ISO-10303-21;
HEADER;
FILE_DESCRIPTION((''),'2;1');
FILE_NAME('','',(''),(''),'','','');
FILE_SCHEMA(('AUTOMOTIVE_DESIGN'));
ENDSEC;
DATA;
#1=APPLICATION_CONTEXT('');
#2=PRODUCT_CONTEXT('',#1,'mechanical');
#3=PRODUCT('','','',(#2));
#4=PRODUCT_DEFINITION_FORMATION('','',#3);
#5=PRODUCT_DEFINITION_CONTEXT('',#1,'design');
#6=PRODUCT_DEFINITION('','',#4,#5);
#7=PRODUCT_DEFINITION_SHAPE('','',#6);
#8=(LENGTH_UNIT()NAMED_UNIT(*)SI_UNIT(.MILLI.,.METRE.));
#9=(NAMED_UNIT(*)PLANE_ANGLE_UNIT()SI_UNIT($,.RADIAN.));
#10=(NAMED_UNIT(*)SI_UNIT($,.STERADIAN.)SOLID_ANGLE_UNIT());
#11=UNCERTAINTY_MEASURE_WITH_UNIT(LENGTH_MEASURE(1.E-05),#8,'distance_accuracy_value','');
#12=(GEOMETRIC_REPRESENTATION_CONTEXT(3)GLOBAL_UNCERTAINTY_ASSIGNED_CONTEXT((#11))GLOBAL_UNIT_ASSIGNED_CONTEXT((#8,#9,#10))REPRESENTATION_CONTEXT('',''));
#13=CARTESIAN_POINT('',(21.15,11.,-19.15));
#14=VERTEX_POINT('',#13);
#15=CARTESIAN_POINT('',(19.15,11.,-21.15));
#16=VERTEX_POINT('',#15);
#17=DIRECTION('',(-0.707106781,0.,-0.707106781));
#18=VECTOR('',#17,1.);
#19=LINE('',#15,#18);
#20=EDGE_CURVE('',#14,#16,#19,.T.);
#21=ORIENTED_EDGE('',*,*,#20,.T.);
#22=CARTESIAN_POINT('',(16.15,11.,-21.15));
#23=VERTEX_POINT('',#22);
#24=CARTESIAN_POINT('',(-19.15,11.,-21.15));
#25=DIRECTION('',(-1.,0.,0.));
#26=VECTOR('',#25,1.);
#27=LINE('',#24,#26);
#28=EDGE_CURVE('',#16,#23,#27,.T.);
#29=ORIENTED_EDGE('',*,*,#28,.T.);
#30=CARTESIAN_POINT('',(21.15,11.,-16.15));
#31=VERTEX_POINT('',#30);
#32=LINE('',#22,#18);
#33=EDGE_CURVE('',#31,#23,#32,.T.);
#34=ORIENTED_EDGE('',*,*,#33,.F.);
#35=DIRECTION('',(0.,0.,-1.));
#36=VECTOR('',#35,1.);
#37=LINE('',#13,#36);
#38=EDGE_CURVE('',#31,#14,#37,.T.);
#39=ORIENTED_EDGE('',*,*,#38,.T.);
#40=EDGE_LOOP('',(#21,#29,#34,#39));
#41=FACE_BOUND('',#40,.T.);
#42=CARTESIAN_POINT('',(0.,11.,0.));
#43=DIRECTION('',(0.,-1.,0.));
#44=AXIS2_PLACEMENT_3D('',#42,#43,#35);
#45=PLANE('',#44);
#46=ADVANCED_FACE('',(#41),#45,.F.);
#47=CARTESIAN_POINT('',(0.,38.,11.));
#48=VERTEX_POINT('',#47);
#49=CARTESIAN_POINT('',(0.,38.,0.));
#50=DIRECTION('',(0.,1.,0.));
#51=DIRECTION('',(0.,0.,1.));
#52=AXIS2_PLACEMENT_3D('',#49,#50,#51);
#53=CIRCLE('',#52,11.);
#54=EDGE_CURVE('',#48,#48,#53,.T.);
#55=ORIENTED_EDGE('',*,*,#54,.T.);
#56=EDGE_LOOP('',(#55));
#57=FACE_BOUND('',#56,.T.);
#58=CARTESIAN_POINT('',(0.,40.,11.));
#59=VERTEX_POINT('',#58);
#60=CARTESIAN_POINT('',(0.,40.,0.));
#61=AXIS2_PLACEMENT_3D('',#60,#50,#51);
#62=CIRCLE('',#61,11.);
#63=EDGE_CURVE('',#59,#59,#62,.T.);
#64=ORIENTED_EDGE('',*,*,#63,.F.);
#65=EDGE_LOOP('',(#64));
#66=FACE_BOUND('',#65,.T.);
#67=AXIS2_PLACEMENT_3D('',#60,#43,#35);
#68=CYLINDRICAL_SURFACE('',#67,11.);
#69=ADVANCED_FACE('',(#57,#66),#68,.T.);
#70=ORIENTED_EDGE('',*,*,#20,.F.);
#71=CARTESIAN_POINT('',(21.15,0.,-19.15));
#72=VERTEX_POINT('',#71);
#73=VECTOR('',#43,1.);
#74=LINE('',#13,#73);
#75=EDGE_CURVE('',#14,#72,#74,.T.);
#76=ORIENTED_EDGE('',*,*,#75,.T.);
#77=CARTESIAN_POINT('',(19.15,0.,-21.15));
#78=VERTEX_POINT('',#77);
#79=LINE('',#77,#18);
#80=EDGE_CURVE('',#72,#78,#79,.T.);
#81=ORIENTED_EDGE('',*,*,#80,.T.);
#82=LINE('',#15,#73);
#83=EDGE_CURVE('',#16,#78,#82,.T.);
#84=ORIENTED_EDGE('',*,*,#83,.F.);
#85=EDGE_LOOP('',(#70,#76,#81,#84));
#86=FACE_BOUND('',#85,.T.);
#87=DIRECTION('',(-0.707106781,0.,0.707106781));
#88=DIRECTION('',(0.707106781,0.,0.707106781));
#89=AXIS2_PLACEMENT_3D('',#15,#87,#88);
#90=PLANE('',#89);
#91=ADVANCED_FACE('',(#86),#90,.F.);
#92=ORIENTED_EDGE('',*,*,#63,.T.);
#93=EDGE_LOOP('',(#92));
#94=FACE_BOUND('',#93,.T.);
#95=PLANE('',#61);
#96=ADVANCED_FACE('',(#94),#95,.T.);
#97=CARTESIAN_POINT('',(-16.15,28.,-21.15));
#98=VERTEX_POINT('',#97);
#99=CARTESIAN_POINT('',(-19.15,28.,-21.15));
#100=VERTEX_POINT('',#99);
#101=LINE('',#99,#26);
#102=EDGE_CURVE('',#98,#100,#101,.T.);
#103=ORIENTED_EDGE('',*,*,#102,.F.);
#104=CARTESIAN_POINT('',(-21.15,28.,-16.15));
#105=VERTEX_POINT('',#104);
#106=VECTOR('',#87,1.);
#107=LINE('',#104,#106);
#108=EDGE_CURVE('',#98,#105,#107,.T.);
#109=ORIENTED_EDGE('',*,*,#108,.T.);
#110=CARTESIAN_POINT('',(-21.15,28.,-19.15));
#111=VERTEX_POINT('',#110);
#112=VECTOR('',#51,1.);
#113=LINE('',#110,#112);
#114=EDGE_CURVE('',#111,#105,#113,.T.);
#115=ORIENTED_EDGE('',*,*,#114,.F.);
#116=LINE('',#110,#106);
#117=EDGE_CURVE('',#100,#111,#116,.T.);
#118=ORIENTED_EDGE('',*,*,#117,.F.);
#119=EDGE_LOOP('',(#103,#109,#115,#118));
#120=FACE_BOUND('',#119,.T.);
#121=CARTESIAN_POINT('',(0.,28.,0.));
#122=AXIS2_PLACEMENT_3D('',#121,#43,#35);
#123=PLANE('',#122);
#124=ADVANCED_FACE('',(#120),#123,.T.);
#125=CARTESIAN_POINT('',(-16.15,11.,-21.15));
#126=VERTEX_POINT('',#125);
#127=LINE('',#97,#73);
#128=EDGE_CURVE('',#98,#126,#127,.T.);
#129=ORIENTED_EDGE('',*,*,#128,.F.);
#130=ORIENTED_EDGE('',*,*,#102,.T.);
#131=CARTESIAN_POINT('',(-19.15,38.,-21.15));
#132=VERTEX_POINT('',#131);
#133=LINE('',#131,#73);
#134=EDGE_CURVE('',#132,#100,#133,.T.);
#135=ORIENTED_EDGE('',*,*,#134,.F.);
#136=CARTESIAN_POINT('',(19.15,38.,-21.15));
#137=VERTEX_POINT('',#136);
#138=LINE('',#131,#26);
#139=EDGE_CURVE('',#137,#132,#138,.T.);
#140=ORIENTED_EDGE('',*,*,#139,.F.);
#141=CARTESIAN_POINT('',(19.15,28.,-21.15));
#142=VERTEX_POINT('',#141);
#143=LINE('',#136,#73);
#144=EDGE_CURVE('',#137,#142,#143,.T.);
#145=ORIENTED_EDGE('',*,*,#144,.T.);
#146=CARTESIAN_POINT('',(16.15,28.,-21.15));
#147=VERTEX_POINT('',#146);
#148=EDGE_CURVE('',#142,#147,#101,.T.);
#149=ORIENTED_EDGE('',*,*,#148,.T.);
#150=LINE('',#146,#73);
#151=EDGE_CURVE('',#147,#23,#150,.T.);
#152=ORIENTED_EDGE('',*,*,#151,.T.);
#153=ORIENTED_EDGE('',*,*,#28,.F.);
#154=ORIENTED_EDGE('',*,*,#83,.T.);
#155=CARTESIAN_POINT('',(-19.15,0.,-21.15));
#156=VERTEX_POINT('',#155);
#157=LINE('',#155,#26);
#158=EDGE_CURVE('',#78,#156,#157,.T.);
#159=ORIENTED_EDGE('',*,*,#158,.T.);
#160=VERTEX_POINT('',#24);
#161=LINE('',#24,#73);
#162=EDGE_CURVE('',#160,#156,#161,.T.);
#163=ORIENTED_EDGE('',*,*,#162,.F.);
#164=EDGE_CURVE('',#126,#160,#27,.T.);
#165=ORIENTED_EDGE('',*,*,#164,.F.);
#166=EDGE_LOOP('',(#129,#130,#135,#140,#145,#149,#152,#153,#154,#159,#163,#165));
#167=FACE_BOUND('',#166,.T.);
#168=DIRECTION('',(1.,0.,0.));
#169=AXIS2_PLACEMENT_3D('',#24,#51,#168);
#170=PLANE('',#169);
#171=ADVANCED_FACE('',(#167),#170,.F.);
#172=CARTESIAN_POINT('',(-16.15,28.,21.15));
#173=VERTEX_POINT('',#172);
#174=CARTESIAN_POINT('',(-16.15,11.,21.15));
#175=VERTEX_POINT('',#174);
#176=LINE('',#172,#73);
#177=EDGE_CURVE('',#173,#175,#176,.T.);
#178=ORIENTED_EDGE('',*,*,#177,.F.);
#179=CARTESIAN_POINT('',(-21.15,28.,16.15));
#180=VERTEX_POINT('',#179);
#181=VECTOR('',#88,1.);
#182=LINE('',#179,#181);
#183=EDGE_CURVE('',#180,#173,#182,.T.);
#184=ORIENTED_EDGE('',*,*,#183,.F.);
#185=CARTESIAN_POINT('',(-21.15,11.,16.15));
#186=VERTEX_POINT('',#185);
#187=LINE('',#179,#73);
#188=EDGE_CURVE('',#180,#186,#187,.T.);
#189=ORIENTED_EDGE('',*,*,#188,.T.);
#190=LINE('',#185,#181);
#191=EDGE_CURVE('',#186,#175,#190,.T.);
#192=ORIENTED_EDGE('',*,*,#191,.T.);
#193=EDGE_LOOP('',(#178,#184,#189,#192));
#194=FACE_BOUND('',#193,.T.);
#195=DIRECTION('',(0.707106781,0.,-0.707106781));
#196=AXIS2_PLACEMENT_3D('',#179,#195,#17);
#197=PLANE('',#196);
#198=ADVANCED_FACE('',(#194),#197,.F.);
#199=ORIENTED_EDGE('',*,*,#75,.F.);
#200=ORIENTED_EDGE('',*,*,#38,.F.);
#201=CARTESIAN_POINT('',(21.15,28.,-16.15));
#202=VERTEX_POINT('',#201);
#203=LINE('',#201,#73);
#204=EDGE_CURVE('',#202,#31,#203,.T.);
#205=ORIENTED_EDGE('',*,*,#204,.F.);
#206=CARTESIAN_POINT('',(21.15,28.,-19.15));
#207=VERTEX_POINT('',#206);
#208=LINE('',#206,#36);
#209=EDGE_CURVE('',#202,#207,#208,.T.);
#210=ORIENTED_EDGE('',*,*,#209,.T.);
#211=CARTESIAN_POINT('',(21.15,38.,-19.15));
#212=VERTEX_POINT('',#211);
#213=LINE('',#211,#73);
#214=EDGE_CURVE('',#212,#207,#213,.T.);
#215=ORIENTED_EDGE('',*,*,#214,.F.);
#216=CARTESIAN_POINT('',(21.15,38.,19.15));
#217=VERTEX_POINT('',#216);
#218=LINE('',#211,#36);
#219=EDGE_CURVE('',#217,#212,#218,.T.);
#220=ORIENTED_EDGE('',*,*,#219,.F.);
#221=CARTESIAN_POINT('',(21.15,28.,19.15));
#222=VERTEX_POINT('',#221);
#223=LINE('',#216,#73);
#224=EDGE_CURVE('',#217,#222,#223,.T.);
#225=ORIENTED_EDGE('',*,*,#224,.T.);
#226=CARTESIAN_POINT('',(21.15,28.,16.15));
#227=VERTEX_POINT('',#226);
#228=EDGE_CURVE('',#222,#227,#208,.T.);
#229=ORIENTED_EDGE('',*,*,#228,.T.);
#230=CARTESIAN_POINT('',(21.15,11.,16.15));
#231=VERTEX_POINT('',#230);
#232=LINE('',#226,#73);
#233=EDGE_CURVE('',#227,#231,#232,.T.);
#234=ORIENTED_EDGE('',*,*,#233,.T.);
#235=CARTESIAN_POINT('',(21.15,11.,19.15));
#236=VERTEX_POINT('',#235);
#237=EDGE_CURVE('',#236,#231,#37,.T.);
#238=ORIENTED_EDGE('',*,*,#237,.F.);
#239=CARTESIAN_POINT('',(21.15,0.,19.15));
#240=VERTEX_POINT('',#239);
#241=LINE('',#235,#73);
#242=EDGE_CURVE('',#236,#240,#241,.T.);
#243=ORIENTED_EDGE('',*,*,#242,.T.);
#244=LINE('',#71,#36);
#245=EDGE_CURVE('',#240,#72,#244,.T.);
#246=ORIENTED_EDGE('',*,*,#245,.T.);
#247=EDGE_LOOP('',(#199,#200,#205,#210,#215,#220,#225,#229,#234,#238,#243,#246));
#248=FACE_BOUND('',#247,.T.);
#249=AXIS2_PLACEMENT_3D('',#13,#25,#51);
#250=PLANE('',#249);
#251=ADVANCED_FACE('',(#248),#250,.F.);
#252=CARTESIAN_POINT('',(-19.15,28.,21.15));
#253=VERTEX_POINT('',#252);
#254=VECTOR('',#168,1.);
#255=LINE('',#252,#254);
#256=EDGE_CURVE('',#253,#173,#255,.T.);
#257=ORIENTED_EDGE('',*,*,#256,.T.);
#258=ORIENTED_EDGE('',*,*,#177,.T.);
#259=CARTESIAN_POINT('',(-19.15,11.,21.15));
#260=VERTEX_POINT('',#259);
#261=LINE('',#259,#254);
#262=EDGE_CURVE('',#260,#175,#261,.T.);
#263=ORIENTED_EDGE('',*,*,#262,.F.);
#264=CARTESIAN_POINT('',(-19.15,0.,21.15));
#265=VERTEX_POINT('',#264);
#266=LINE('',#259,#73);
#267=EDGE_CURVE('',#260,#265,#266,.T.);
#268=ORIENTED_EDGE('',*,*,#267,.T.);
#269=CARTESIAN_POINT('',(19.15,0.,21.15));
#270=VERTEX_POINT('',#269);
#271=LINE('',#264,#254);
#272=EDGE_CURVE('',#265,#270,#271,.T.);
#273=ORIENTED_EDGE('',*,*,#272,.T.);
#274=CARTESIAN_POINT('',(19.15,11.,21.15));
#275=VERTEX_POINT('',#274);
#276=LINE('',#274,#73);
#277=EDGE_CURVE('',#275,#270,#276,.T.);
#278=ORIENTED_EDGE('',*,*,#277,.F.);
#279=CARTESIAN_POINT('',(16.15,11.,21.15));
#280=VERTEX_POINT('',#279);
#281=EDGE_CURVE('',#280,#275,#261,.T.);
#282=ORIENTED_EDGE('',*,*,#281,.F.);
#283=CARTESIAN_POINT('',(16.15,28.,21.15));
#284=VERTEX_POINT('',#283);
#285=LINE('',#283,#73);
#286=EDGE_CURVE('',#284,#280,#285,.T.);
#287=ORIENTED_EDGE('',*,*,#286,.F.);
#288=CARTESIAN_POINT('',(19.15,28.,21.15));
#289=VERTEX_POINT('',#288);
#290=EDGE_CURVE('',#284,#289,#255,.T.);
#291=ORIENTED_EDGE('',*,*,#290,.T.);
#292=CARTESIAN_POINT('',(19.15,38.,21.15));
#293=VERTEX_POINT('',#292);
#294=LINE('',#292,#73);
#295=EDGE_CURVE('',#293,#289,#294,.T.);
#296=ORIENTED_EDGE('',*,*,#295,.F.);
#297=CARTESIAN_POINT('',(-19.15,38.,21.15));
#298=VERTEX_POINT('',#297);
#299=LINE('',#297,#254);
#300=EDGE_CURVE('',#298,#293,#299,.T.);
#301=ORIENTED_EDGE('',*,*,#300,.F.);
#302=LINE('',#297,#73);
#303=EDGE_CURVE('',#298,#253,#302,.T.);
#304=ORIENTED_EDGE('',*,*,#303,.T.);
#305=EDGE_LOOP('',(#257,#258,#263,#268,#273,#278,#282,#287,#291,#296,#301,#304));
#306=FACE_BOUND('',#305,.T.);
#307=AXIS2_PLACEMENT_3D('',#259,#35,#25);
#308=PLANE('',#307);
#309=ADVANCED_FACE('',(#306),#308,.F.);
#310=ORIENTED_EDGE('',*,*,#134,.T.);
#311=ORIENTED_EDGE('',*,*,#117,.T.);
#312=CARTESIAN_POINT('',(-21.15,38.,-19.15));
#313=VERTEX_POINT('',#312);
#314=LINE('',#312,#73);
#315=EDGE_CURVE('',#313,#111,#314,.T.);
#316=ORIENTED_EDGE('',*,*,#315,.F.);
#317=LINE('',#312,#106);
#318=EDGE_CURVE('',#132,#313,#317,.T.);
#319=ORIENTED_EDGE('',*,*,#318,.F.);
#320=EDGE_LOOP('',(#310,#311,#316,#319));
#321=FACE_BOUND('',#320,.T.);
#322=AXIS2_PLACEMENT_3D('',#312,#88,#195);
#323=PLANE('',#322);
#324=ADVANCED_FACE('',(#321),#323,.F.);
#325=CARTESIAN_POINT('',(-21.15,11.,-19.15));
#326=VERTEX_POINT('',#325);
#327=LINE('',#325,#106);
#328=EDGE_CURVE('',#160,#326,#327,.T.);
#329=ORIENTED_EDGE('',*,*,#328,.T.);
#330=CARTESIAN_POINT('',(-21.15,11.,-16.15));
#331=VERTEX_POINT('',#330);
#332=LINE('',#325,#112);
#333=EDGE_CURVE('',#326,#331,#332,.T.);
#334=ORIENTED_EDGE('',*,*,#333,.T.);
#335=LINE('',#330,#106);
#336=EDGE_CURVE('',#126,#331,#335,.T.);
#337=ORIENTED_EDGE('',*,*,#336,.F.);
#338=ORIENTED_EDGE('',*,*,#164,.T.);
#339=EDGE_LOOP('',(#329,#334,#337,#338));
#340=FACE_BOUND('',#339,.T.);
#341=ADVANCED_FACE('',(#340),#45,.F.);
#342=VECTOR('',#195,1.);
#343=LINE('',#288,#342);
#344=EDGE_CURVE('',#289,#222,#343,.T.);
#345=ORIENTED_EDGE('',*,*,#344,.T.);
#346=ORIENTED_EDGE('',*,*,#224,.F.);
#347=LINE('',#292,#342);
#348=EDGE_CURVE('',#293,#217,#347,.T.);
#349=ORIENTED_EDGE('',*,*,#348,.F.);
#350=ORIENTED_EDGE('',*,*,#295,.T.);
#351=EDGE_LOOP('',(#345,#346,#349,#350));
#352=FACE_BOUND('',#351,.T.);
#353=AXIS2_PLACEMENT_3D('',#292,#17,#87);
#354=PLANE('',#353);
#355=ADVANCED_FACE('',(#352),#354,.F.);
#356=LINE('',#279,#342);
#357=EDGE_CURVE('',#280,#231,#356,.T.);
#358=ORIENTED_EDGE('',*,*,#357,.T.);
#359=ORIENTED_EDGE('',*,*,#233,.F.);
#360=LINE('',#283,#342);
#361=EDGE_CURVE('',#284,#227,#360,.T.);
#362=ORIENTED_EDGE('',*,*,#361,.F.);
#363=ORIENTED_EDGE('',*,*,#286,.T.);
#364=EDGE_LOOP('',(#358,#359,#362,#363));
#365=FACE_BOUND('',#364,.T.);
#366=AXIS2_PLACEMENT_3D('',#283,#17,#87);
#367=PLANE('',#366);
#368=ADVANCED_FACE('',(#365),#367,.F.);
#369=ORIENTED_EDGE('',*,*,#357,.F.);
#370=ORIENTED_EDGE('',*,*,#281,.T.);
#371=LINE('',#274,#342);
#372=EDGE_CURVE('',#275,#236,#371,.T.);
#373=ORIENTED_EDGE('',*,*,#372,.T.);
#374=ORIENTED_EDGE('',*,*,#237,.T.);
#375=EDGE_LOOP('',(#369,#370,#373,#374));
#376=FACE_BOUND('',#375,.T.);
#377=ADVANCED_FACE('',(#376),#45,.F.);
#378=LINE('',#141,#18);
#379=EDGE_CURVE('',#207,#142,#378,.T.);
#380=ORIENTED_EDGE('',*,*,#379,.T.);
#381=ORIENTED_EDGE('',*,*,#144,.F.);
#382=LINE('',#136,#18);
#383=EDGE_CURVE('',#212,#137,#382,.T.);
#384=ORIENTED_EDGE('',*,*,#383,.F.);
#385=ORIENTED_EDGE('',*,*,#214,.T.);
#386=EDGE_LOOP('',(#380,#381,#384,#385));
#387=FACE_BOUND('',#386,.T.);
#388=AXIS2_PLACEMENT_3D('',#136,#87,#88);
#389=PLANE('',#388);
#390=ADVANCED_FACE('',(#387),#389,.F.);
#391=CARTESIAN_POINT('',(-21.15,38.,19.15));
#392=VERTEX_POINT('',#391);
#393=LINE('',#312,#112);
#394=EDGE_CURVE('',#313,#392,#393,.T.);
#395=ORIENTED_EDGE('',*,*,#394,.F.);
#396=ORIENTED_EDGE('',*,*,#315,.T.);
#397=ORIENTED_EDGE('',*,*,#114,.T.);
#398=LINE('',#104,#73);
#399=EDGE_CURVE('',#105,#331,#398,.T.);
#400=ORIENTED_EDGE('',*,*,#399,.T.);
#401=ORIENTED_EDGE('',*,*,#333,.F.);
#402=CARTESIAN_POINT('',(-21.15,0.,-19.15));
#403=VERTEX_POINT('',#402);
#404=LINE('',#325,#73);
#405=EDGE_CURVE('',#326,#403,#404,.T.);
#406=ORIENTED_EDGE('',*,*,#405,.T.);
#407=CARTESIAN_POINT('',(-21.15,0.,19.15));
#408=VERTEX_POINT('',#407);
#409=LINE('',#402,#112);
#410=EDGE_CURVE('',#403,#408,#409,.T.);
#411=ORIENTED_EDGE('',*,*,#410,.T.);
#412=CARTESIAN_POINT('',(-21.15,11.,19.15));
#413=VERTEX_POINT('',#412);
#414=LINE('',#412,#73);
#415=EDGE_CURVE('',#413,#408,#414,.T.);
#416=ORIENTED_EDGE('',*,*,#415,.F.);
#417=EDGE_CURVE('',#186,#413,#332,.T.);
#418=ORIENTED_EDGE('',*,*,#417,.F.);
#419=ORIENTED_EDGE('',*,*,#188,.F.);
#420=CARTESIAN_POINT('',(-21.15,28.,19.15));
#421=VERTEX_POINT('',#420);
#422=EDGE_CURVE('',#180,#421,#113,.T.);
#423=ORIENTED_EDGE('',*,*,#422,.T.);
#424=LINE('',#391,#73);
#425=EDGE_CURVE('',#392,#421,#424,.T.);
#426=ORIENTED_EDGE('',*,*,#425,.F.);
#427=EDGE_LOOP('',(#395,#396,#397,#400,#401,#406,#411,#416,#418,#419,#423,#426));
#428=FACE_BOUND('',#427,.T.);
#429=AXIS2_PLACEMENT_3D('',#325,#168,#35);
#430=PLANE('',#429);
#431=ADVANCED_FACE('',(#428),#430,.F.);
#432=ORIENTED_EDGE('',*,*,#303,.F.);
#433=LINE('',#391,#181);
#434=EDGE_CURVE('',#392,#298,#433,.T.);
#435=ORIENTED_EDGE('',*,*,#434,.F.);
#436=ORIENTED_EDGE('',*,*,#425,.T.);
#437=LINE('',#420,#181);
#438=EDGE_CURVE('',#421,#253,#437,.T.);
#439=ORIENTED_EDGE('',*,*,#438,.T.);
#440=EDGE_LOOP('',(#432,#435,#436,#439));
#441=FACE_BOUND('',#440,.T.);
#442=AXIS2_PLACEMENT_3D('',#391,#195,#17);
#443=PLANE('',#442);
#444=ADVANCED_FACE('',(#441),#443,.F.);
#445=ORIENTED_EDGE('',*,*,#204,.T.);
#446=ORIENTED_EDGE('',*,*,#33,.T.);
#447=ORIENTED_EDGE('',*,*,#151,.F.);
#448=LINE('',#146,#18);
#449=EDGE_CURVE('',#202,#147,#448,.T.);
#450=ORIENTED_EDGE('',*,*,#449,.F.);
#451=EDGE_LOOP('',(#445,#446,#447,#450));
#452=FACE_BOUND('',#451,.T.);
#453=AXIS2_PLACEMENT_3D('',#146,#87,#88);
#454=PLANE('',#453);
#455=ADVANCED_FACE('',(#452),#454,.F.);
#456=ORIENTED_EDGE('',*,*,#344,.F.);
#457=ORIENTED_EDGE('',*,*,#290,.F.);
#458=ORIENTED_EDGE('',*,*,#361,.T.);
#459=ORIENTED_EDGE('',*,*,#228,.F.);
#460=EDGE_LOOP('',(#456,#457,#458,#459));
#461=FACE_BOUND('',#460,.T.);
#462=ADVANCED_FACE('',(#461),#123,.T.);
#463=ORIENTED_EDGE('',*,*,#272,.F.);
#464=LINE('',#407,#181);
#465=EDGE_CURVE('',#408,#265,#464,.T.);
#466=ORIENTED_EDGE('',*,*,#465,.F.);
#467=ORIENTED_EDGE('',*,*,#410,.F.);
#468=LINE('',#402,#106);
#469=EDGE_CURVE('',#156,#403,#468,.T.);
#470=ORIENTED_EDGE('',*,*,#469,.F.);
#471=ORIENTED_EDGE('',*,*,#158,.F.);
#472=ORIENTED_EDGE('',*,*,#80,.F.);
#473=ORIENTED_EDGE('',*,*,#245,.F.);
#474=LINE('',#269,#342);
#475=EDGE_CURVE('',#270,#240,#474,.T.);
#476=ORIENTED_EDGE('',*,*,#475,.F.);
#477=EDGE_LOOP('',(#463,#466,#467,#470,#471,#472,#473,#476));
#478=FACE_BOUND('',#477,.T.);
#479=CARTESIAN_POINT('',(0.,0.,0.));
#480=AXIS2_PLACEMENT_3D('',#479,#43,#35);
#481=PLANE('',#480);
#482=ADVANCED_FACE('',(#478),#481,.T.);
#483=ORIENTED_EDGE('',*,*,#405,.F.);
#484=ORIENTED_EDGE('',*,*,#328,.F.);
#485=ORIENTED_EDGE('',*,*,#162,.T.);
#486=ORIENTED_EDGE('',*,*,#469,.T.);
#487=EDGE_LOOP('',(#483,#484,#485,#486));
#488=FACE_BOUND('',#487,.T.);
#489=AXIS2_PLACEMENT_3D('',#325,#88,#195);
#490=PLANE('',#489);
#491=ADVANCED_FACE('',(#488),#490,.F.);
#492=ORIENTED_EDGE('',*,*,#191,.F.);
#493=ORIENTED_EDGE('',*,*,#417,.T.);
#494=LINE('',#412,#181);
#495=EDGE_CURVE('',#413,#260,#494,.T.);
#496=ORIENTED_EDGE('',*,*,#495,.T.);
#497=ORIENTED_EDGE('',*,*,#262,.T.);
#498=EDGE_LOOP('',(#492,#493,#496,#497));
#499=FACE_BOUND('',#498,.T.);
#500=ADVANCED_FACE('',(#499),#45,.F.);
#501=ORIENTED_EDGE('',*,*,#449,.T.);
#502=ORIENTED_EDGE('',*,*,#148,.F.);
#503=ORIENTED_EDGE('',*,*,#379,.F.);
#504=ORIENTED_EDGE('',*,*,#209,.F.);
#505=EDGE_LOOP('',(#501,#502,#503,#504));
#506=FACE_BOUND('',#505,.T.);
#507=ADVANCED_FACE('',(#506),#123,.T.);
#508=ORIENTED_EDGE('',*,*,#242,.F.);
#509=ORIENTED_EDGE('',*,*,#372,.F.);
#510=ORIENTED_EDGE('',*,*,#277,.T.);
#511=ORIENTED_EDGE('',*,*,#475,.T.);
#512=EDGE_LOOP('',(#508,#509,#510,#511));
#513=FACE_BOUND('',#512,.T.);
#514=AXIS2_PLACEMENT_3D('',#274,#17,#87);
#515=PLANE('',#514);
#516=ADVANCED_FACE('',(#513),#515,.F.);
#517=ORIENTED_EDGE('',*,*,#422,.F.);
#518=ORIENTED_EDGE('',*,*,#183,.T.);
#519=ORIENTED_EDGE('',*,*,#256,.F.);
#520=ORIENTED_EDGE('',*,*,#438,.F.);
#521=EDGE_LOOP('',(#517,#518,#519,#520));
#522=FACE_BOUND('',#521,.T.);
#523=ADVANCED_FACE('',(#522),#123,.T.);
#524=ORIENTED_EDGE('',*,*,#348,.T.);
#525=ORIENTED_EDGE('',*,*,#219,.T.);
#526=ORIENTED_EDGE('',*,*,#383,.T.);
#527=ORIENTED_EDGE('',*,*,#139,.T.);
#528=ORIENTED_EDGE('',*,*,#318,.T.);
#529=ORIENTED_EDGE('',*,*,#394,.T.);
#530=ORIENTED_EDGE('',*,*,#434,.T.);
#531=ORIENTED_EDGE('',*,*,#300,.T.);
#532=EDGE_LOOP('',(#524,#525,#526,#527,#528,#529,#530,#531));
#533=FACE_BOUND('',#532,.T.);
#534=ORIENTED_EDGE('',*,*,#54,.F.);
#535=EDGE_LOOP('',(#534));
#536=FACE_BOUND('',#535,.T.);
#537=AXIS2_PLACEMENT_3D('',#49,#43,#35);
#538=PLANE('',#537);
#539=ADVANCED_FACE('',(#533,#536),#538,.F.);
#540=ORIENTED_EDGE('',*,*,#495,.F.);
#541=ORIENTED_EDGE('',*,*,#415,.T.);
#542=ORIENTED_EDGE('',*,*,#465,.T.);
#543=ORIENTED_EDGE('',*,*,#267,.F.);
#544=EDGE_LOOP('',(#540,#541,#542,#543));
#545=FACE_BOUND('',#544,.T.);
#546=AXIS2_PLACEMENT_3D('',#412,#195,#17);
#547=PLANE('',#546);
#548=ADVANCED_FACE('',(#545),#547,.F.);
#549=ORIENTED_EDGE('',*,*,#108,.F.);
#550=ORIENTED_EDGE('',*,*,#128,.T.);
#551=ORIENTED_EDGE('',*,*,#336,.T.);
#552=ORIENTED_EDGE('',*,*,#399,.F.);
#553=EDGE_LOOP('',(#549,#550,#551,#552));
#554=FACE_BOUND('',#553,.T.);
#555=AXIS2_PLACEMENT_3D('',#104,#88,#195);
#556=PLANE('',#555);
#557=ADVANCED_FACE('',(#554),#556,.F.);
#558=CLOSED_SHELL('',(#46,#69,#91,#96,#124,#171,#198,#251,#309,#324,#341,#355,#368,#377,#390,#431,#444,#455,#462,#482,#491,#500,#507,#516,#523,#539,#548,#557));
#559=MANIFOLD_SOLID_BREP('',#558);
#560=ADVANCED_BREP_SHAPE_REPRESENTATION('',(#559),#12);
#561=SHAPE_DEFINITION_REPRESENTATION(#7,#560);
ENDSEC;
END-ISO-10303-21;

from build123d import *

# Parameters (mm, degrees)
BOSS_EXTRUDE1_DEPTH = 11
BOSS_EXTRUDE2_DEPTH = 17
BOSS_EXTRUDE3_DEPTH = 10
SKETCH4_R           = 11
BOSS_EXTRUDE4_DEPTH = 2


with BuildPart() as part:
    # Sketch1 → Boss-Extrude1 (new body)
    with BuildSketch(Plane(origin=(0, 0, 0), x_dir=(1, 0, 0), z_dir=(0, 1, 0))):
        Polygon((19.15, -21.15), (21.15, -19.15), (21.15, 19.15), (19.15, 21.15), (-19.15, 21.15), (-21.15, 19.15), (-21.15, -19.15), (-19.15, -21.15), align=None)
    extrude(amount=BOSS_EXTRUDE1_DEPTH)

    # Sketch2 → Boss-Extrude2 (add)
    with BuildSketch(Plane(origin=(0, 11, 0), x_dir=(1, 0, 0), z_dir=(0, 1, 0))):
        Polygon((16.15, -21.15), (21.15, -16.15), (21.15, 16.15), (16.15, 21.15), (-16.15, 21.15), (-21.15, 16.15), (-21.15, -16.15), (-16.15, -21.15), align=None)
    extrude(amount=BOSS_EXTRUDE2_DEPTH)

    # Sketch3 → Boss-Extrude3 (add)
    with BuildSketch(Plane(origin=(0, 28, 0), x_dir=(1, 0, 0), z_dir=(0, 1, 0))):
        Polygon((19.15, -21.15), (21.15, -19.15), (21.15, 19.15), (19.15, 21.15), (-19.15, 21.15), (-21.15, 19.15), (-21.15, -19.15), (-19.15, -21.15), align=None)
    extrude(amount=BOSS_EXTRUDE3_DEPTH)

    # Sketch4 → Boss-Extrude4 (add)
    with BuildSketch(Plane(origin=(0, 38, 0), x_dir=(1, 0, 0), z_dir=(0, 1, 0))):
        with Locations(Location((0, 0, 0), (0, 0, 270))):
            Circle(SKETCH4_R)
    extrude(amount=BOSS_EXTRUDE4_DEPTH)


solid = part.part
